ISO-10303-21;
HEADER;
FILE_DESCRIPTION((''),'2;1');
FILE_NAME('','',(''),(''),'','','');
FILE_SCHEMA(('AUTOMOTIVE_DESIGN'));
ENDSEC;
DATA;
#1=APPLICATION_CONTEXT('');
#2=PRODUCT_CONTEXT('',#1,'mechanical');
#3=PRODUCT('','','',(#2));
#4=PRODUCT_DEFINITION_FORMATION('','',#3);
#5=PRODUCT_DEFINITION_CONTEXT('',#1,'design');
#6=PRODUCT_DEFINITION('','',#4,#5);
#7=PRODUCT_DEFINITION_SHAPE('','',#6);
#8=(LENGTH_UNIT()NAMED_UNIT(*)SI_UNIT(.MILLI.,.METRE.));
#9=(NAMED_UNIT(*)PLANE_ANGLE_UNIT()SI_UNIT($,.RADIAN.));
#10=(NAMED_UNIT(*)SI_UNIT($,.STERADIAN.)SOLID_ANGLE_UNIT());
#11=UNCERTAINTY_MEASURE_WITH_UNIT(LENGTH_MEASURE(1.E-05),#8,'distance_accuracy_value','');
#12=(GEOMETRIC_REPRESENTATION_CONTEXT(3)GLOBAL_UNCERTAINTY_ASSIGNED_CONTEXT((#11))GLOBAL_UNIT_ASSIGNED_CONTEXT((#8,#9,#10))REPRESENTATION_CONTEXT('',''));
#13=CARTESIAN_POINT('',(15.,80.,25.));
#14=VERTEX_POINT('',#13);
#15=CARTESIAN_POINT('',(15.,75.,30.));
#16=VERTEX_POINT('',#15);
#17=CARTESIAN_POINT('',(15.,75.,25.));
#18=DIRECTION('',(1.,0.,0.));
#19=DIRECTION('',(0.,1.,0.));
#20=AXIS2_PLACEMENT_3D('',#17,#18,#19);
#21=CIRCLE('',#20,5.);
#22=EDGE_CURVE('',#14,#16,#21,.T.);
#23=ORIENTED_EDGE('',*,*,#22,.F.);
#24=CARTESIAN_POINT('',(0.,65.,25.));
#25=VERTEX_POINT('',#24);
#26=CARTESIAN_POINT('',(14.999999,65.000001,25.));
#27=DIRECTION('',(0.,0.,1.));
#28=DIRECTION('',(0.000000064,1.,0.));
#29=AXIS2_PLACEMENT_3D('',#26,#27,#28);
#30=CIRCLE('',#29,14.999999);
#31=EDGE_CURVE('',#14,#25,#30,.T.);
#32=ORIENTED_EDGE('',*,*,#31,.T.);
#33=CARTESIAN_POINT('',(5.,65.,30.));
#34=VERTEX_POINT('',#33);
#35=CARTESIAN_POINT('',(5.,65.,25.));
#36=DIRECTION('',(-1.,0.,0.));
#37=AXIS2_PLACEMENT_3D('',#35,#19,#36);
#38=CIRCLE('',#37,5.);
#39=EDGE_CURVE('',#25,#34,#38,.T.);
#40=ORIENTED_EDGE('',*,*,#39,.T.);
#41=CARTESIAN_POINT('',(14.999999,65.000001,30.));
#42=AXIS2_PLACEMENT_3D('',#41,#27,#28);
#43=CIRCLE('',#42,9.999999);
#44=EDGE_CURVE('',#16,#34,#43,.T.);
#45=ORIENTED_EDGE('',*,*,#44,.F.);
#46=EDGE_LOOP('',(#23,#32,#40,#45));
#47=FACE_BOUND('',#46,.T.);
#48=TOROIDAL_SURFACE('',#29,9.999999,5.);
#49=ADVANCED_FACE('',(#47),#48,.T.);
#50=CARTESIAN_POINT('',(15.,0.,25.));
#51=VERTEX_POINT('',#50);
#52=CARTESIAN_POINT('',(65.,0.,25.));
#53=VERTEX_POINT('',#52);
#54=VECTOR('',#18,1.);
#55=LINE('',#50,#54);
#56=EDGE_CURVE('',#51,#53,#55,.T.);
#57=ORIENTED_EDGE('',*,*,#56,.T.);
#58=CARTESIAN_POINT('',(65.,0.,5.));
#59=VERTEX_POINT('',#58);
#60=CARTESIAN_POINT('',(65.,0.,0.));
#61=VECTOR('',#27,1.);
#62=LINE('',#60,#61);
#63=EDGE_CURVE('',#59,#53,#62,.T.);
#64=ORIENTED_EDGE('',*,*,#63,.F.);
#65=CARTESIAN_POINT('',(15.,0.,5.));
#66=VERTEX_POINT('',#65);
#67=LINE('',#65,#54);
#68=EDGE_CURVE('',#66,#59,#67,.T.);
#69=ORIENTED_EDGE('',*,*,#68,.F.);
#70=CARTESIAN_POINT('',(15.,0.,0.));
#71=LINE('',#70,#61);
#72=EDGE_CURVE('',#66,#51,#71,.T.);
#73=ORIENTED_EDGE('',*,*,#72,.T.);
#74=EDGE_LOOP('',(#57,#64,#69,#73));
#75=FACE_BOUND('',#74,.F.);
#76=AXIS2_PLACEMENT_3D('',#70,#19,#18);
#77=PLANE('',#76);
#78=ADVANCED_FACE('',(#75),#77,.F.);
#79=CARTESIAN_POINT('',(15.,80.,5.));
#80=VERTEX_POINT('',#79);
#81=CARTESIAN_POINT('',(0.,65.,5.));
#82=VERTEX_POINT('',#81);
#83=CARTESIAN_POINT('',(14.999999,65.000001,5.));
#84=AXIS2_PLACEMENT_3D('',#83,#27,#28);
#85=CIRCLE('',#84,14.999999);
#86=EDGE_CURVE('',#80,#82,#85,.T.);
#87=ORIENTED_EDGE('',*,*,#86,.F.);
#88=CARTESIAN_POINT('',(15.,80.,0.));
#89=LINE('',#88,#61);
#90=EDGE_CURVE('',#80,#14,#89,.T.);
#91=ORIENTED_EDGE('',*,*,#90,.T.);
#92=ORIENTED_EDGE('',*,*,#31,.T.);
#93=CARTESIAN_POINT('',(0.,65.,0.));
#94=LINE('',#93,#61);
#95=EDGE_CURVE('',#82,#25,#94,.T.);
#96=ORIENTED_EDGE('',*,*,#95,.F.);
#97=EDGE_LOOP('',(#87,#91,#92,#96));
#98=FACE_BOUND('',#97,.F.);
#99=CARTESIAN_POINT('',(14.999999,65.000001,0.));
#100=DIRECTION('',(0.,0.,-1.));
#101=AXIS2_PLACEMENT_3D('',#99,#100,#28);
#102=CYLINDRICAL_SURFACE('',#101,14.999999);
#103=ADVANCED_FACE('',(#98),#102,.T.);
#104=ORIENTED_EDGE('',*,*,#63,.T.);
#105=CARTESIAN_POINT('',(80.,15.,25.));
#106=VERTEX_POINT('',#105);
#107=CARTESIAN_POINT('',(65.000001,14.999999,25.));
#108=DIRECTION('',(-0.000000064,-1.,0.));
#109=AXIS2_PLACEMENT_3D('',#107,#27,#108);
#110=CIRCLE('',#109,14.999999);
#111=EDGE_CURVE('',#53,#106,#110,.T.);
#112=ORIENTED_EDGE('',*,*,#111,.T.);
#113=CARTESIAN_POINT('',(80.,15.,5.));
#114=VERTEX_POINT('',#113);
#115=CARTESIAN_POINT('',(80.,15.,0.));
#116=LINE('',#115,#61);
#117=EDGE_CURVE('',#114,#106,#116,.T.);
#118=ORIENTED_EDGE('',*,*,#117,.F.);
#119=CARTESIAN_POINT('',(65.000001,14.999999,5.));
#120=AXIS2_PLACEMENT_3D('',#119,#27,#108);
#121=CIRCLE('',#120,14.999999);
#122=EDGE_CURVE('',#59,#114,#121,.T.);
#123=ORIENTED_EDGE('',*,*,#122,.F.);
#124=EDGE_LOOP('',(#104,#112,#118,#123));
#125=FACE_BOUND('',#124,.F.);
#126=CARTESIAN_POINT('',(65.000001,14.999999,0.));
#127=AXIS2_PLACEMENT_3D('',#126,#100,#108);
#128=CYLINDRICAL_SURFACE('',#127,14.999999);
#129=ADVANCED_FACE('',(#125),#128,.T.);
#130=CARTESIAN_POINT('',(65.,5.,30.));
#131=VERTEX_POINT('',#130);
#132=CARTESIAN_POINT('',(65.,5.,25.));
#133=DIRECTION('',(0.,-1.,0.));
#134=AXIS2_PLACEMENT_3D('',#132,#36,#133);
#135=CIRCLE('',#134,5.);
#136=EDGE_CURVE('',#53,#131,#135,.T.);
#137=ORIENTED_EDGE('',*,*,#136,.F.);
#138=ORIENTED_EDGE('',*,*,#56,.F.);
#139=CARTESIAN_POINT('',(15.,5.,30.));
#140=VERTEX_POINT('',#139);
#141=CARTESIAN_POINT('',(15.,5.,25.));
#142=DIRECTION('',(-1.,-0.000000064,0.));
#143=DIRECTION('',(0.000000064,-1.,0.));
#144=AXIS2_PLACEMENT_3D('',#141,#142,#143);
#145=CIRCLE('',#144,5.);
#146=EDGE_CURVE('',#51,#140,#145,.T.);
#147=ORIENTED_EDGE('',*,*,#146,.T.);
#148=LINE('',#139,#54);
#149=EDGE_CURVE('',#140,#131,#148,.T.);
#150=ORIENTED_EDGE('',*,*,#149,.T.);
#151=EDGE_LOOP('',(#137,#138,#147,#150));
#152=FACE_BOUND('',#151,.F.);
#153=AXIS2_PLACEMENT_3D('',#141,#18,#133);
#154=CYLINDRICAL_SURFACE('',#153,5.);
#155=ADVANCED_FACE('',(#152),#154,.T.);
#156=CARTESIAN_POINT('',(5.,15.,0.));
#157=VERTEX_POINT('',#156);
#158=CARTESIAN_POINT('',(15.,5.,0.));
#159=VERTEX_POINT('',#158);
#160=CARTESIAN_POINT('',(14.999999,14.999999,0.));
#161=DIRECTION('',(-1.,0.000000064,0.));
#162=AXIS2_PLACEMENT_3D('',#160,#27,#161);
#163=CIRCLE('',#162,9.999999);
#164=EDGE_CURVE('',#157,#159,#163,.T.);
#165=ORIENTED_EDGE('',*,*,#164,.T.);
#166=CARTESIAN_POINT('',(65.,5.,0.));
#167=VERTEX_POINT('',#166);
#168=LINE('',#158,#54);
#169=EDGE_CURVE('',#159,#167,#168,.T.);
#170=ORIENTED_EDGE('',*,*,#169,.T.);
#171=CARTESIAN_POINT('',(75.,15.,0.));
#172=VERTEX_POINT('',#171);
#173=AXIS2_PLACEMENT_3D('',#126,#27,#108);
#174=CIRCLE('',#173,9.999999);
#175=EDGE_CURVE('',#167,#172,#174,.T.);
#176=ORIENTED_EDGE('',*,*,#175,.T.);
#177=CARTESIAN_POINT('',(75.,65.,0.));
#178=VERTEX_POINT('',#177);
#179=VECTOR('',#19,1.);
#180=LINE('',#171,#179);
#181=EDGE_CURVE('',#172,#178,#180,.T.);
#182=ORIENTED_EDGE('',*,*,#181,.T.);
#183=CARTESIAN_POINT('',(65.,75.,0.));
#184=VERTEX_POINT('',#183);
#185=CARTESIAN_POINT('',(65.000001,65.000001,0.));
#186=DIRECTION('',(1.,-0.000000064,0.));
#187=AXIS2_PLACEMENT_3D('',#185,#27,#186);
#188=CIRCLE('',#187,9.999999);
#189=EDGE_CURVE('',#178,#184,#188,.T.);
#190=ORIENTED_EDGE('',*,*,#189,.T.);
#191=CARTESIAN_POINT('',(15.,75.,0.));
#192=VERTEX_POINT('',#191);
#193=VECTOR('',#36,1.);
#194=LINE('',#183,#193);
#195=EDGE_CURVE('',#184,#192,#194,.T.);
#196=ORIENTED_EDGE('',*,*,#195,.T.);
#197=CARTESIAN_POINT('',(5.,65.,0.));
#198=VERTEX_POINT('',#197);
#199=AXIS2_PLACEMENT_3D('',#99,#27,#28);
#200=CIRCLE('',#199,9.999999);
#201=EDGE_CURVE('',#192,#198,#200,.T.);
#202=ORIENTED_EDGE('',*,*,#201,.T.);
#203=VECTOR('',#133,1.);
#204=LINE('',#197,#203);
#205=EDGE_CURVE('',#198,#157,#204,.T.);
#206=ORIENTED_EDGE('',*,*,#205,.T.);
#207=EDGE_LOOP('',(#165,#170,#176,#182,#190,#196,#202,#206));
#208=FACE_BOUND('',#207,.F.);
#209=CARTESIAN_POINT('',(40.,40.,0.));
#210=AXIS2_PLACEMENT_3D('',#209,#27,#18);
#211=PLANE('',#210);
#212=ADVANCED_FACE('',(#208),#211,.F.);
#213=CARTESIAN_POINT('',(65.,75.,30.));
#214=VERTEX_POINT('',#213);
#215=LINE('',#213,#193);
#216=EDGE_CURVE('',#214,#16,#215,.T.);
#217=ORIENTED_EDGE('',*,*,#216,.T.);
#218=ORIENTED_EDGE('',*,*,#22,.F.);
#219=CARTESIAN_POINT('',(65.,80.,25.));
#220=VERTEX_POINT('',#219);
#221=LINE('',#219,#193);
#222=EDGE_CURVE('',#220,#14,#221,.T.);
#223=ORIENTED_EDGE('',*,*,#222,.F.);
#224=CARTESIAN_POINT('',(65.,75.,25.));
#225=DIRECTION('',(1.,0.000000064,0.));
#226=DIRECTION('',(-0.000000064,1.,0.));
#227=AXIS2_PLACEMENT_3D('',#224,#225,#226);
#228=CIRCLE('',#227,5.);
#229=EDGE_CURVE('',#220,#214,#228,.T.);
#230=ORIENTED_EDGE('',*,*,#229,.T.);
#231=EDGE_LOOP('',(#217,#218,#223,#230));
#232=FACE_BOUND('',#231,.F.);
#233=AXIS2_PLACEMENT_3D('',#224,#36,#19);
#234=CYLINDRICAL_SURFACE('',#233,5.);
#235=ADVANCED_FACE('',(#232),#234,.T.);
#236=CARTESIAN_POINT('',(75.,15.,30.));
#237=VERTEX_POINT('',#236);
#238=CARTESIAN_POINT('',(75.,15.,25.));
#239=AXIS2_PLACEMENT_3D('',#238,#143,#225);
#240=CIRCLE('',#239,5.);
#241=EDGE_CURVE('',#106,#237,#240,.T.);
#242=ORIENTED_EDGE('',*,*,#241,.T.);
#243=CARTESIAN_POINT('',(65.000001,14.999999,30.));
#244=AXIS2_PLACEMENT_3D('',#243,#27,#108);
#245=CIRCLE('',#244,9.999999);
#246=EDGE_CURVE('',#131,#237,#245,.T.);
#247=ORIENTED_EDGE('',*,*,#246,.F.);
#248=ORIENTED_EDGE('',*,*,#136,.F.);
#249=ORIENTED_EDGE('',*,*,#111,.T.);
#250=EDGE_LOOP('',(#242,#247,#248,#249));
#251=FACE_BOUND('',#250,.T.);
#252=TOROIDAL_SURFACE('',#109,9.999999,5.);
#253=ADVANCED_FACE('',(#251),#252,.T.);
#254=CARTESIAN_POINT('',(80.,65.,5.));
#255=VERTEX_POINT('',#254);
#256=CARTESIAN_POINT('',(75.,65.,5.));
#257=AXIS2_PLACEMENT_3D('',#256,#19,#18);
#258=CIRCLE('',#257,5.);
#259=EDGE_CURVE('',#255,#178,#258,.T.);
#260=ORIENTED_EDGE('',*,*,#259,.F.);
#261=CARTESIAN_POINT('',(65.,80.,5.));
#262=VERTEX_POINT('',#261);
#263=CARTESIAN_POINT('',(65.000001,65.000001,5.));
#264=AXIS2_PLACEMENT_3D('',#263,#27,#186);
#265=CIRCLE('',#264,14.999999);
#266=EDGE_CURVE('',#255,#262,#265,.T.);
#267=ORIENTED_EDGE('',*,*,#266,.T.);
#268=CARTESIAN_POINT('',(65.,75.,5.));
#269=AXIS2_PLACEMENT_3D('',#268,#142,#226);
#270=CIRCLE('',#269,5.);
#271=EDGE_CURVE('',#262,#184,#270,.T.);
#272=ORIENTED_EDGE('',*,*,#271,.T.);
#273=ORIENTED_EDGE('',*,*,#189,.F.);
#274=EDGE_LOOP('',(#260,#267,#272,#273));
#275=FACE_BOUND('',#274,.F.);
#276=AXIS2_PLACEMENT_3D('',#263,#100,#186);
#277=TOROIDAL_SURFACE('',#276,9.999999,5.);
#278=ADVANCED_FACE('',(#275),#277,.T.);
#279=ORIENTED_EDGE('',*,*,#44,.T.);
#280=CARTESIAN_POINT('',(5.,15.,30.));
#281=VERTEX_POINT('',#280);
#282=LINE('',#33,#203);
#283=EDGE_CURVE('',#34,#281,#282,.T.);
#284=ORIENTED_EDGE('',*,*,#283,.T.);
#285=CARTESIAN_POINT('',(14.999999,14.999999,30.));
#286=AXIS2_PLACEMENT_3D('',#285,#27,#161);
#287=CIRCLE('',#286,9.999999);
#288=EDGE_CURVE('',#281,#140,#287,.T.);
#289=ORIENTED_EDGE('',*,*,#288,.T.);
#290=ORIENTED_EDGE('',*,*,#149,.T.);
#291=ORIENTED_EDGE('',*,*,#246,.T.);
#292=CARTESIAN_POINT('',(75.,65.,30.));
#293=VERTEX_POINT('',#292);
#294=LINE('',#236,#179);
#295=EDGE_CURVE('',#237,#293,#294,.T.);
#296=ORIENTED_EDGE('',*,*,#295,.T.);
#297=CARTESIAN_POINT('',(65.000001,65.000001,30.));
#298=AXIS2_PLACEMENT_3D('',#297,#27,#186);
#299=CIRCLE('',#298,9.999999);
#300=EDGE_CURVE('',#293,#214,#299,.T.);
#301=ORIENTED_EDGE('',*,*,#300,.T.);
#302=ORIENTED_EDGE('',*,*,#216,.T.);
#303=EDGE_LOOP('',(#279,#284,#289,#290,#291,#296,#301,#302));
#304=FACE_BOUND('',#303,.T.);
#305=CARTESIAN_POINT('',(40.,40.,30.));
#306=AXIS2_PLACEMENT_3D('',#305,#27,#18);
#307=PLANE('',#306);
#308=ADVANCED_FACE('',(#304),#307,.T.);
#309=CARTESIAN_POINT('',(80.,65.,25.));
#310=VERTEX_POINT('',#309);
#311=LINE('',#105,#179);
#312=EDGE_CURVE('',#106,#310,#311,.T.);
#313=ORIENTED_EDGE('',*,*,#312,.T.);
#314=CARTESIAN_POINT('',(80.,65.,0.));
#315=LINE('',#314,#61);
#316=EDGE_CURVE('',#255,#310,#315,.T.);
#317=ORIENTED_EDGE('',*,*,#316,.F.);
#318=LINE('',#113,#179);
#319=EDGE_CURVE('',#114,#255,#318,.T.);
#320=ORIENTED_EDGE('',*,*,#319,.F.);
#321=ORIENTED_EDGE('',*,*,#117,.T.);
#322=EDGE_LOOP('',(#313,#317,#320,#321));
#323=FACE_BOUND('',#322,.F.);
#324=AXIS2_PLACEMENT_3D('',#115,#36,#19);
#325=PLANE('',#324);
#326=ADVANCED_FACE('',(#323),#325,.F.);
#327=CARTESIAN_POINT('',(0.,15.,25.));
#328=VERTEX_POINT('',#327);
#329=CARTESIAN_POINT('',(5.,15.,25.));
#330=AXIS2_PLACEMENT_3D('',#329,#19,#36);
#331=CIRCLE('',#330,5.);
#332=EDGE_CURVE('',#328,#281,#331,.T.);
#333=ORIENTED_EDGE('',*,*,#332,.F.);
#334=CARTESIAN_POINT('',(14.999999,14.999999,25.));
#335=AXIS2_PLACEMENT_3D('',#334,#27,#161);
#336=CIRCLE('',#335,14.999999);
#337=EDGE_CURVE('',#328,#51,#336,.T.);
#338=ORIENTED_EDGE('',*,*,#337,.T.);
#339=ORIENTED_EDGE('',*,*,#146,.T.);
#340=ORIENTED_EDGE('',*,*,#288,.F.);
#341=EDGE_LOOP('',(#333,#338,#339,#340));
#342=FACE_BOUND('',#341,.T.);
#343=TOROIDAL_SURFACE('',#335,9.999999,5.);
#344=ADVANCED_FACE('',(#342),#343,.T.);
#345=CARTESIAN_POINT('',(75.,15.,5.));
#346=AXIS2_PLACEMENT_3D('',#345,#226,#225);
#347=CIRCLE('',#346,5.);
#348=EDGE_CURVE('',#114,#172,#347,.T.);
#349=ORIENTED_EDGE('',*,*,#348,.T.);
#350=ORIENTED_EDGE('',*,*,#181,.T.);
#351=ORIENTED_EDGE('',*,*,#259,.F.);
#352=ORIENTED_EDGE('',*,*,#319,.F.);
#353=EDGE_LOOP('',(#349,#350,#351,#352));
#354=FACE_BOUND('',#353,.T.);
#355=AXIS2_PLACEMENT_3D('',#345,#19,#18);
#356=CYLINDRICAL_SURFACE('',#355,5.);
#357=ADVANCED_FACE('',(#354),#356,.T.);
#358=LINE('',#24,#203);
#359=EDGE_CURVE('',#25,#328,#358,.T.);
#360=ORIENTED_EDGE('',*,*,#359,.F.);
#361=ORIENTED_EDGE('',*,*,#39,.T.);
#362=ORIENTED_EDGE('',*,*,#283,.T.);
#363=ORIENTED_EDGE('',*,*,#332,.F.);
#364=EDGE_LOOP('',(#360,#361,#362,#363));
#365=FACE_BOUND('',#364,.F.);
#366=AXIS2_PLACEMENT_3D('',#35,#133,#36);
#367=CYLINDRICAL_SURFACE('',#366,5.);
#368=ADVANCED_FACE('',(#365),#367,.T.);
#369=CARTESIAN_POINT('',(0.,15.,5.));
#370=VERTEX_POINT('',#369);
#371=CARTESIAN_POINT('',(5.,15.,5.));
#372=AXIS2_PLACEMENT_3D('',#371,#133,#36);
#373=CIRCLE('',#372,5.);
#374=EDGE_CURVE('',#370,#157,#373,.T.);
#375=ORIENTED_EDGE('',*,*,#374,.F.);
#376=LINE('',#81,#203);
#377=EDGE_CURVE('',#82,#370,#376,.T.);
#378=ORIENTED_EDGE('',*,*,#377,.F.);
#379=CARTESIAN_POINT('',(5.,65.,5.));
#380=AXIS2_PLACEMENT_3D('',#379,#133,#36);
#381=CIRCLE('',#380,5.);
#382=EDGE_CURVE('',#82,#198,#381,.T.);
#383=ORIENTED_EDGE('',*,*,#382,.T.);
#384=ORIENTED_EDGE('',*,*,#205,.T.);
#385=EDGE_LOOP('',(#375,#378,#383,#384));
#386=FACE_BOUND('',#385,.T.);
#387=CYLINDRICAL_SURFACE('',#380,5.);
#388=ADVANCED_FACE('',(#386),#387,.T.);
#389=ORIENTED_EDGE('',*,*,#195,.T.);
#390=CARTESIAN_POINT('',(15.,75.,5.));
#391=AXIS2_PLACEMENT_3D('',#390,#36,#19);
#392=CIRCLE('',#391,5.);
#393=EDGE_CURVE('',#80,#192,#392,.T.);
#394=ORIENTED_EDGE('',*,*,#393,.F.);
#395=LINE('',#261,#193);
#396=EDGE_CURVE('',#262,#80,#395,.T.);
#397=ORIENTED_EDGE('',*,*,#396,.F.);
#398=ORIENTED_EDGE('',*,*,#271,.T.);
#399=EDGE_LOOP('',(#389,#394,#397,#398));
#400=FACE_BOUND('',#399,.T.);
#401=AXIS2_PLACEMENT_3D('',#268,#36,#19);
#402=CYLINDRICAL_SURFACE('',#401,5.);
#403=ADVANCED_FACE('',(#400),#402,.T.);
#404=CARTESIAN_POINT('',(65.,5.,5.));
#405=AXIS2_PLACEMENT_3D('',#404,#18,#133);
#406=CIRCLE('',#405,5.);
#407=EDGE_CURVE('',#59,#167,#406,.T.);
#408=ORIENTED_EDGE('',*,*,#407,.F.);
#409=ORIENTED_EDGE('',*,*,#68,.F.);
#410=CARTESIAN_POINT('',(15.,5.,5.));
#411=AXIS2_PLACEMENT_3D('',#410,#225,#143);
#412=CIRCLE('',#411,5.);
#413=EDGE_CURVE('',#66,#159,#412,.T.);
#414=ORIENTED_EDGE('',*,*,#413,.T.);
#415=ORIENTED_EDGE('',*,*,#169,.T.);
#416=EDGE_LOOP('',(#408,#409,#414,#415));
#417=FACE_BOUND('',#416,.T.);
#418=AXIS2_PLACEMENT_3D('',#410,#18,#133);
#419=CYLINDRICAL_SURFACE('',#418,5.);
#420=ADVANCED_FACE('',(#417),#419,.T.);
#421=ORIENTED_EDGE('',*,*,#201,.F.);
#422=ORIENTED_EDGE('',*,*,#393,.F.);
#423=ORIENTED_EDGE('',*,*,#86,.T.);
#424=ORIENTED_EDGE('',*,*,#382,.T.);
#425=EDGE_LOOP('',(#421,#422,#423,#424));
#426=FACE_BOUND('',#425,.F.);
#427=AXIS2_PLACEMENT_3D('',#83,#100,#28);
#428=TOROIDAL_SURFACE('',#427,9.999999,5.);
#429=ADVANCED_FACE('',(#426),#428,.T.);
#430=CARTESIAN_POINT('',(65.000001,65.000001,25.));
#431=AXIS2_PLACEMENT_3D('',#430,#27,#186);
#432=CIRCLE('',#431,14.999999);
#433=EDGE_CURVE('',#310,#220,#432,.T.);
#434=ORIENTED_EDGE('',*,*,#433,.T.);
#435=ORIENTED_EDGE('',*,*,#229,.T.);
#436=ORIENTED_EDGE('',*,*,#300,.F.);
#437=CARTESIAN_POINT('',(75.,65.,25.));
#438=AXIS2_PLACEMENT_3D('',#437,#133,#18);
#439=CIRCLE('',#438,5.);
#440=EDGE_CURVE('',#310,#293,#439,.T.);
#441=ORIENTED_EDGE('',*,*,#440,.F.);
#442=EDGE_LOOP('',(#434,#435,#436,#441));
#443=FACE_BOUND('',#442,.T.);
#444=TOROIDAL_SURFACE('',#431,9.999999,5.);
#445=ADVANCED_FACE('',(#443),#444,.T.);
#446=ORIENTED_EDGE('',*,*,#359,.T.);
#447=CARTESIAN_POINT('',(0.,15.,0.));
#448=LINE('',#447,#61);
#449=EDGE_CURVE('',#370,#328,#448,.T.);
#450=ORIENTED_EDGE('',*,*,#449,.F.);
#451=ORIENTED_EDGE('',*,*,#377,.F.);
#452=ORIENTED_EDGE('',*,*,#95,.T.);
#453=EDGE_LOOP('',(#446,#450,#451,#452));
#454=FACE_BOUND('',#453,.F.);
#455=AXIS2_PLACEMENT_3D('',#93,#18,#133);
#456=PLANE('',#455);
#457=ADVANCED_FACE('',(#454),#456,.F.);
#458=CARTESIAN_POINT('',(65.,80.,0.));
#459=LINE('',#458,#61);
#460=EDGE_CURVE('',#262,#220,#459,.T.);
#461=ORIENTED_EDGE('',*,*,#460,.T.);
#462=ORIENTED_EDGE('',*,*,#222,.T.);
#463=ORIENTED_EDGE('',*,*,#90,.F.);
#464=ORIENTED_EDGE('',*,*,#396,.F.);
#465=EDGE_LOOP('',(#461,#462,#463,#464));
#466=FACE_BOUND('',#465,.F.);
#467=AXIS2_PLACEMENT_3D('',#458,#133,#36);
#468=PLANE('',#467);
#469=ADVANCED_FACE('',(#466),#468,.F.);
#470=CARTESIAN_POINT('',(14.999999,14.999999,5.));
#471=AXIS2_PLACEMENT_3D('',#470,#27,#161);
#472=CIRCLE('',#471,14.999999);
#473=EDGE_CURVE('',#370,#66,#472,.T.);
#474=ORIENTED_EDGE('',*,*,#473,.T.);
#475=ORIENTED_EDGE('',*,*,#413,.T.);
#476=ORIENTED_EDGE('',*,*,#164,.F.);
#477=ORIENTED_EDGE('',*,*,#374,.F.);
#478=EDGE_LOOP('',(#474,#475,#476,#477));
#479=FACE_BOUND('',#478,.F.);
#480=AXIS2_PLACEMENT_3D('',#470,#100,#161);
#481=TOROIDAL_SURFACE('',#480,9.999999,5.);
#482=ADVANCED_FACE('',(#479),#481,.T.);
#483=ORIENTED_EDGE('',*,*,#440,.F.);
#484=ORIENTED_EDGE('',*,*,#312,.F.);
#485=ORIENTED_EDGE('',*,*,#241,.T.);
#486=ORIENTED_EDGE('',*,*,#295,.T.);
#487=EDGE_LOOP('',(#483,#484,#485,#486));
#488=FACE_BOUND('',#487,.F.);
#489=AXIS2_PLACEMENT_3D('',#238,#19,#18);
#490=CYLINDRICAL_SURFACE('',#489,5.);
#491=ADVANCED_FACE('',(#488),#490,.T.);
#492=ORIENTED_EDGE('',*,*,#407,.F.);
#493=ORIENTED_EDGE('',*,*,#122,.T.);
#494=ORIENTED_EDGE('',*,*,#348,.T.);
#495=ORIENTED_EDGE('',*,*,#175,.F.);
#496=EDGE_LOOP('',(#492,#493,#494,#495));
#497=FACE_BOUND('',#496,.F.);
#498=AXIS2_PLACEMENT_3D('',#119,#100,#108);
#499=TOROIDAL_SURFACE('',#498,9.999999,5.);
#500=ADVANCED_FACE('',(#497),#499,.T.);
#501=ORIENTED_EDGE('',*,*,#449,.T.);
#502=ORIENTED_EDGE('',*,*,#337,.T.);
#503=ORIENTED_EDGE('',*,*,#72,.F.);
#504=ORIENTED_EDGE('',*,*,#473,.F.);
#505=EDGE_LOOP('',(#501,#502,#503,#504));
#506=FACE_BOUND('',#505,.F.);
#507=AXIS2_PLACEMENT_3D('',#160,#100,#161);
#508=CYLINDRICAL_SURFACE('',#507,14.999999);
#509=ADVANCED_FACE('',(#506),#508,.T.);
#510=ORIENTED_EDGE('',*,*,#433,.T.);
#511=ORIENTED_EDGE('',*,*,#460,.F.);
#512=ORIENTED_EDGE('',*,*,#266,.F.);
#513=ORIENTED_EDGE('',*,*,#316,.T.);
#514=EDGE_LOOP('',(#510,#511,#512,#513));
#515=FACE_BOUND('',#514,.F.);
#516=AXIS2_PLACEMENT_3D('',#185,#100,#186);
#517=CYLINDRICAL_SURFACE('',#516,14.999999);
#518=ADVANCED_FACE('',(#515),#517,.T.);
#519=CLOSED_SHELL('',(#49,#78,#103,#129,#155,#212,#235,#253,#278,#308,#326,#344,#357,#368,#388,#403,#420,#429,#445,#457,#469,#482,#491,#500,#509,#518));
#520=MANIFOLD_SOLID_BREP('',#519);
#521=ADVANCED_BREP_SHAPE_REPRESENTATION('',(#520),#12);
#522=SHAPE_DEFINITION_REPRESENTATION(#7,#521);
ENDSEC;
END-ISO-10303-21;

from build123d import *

# Parameters (mm, degrees)
F1_DEPTH = 30
F2_R     = 5


with BuildPart() as f1:
    # F0 (on Top) → F1 (new body)
    with BuildSketch(Plane.XY):
        with BuildLine():
            ThreePointArc((0, 15), (4.393398, 4.393398), (15, 0))
            Line((15, 0), (65, 0))
            ThreePointArc((65, 0), (75.606602, 4.393398), (80, 15))
            Line((80, 15), (80, 65))
            ThreePointArc((80, 65), (75.606602, 75.606602), (65, 80))
            Line((65, 80), (15, 80))
            ThreePointArc((15, 80), (4.393398, 75.606602), (0, 65))
            Line((0, 65), (0, 15))
        make_face()
    extrude(amount=F1_DEPTH)

    # F2
    f2_edges = [f1.edges().sort_by_distance(p)[0] for p in [
        (0, 40, 30),
        (4.393398, 4.393398, 30),
        (40, 0, 30),
        (75.606602, 4.393398, 30),
        (80, 40, 30),
        (75.606602, 75.606602, 30),
        (40, 80, 30),
        (4.393398, 75.606602, 30),
        (0, 40, 0),
        (4.393398, 4.393398, 0),
        (40, 0, 0),
        (75.606602, 4.393398, 0),
        (80, 40, 0),
        (75.606602, 75.606602, 0),
        (40, 80, 0),
        (4.393398, 75.606602, 0),
    ]]
    fillet(f2_edges, radius=F2_R)


solid = f1.part
